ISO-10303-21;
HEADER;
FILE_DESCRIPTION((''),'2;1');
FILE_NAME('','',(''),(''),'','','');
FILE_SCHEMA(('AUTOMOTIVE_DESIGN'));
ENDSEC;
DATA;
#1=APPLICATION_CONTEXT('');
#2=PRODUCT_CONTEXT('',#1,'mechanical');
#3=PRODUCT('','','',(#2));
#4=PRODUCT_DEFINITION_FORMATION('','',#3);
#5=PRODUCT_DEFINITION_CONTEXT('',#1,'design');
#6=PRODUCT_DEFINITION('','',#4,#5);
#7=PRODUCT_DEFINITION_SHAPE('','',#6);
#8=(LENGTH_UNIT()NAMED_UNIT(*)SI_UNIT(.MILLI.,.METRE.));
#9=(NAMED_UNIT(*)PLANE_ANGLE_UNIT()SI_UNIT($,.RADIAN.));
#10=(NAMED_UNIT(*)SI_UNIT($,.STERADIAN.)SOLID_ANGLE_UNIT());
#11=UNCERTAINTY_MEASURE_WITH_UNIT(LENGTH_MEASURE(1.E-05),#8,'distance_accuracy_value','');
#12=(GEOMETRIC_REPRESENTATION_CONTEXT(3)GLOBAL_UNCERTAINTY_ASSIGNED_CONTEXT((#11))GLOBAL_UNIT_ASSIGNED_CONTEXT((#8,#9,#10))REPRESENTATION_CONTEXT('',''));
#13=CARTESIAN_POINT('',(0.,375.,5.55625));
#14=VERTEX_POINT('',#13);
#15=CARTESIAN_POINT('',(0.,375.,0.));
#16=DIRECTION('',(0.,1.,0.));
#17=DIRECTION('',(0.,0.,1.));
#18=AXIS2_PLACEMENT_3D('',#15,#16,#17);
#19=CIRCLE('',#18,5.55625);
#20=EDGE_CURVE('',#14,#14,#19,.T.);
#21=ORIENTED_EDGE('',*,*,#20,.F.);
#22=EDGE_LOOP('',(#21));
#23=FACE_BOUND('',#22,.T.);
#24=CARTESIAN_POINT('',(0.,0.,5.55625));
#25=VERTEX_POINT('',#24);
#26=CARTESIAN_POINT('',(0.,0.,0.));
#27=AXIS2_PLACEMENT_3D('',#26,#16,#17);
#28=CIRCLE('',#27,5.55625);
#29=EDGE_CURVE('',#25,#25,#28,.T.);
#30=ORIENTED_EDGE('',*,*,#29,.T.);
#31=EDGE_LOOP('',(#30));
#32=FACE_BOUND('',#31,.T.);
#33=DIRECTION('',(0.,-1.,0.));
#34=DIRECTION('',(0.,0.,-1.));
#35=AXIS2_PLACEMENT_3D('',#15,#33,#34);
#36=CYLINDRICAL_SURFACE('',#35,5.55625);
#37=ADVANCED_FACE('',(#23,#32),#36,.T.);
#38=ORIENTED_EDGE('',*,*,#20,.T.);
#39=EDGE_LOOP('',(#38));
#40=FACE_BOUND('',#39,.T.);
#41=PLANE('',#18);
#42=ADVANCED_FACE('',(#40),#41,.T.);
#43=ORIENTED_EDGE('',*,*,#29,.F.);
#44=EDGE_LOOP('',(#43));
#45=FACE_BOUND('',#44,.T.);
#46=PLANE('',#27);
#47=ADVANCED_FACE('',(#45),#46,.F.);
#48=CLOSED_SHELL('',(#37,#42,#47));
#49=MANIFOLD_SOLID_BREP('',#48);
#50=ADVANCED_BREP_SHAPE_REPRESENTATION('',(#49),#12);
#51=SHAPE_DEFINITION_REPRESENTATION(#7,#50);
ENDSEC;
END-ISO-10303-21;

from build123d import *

# Parameters (mm, degrees)
SKETCH1_R           = 5.55625
BOSS_EXTRUDE1_DEPTH = 375


with BuildPart() as part:
    # Sketch1 → Boss-Extrude1 (new body)
    with BuildSketch(Plane(origin=(0, 0, 0), x_dir=(1, 0, 0), z_dir=(0, 1, 0))):
        Circle(SKETCH1_R)
    extrude(amount=BOSS_EXTRUDE1_DEPTH)


solid = part.part
